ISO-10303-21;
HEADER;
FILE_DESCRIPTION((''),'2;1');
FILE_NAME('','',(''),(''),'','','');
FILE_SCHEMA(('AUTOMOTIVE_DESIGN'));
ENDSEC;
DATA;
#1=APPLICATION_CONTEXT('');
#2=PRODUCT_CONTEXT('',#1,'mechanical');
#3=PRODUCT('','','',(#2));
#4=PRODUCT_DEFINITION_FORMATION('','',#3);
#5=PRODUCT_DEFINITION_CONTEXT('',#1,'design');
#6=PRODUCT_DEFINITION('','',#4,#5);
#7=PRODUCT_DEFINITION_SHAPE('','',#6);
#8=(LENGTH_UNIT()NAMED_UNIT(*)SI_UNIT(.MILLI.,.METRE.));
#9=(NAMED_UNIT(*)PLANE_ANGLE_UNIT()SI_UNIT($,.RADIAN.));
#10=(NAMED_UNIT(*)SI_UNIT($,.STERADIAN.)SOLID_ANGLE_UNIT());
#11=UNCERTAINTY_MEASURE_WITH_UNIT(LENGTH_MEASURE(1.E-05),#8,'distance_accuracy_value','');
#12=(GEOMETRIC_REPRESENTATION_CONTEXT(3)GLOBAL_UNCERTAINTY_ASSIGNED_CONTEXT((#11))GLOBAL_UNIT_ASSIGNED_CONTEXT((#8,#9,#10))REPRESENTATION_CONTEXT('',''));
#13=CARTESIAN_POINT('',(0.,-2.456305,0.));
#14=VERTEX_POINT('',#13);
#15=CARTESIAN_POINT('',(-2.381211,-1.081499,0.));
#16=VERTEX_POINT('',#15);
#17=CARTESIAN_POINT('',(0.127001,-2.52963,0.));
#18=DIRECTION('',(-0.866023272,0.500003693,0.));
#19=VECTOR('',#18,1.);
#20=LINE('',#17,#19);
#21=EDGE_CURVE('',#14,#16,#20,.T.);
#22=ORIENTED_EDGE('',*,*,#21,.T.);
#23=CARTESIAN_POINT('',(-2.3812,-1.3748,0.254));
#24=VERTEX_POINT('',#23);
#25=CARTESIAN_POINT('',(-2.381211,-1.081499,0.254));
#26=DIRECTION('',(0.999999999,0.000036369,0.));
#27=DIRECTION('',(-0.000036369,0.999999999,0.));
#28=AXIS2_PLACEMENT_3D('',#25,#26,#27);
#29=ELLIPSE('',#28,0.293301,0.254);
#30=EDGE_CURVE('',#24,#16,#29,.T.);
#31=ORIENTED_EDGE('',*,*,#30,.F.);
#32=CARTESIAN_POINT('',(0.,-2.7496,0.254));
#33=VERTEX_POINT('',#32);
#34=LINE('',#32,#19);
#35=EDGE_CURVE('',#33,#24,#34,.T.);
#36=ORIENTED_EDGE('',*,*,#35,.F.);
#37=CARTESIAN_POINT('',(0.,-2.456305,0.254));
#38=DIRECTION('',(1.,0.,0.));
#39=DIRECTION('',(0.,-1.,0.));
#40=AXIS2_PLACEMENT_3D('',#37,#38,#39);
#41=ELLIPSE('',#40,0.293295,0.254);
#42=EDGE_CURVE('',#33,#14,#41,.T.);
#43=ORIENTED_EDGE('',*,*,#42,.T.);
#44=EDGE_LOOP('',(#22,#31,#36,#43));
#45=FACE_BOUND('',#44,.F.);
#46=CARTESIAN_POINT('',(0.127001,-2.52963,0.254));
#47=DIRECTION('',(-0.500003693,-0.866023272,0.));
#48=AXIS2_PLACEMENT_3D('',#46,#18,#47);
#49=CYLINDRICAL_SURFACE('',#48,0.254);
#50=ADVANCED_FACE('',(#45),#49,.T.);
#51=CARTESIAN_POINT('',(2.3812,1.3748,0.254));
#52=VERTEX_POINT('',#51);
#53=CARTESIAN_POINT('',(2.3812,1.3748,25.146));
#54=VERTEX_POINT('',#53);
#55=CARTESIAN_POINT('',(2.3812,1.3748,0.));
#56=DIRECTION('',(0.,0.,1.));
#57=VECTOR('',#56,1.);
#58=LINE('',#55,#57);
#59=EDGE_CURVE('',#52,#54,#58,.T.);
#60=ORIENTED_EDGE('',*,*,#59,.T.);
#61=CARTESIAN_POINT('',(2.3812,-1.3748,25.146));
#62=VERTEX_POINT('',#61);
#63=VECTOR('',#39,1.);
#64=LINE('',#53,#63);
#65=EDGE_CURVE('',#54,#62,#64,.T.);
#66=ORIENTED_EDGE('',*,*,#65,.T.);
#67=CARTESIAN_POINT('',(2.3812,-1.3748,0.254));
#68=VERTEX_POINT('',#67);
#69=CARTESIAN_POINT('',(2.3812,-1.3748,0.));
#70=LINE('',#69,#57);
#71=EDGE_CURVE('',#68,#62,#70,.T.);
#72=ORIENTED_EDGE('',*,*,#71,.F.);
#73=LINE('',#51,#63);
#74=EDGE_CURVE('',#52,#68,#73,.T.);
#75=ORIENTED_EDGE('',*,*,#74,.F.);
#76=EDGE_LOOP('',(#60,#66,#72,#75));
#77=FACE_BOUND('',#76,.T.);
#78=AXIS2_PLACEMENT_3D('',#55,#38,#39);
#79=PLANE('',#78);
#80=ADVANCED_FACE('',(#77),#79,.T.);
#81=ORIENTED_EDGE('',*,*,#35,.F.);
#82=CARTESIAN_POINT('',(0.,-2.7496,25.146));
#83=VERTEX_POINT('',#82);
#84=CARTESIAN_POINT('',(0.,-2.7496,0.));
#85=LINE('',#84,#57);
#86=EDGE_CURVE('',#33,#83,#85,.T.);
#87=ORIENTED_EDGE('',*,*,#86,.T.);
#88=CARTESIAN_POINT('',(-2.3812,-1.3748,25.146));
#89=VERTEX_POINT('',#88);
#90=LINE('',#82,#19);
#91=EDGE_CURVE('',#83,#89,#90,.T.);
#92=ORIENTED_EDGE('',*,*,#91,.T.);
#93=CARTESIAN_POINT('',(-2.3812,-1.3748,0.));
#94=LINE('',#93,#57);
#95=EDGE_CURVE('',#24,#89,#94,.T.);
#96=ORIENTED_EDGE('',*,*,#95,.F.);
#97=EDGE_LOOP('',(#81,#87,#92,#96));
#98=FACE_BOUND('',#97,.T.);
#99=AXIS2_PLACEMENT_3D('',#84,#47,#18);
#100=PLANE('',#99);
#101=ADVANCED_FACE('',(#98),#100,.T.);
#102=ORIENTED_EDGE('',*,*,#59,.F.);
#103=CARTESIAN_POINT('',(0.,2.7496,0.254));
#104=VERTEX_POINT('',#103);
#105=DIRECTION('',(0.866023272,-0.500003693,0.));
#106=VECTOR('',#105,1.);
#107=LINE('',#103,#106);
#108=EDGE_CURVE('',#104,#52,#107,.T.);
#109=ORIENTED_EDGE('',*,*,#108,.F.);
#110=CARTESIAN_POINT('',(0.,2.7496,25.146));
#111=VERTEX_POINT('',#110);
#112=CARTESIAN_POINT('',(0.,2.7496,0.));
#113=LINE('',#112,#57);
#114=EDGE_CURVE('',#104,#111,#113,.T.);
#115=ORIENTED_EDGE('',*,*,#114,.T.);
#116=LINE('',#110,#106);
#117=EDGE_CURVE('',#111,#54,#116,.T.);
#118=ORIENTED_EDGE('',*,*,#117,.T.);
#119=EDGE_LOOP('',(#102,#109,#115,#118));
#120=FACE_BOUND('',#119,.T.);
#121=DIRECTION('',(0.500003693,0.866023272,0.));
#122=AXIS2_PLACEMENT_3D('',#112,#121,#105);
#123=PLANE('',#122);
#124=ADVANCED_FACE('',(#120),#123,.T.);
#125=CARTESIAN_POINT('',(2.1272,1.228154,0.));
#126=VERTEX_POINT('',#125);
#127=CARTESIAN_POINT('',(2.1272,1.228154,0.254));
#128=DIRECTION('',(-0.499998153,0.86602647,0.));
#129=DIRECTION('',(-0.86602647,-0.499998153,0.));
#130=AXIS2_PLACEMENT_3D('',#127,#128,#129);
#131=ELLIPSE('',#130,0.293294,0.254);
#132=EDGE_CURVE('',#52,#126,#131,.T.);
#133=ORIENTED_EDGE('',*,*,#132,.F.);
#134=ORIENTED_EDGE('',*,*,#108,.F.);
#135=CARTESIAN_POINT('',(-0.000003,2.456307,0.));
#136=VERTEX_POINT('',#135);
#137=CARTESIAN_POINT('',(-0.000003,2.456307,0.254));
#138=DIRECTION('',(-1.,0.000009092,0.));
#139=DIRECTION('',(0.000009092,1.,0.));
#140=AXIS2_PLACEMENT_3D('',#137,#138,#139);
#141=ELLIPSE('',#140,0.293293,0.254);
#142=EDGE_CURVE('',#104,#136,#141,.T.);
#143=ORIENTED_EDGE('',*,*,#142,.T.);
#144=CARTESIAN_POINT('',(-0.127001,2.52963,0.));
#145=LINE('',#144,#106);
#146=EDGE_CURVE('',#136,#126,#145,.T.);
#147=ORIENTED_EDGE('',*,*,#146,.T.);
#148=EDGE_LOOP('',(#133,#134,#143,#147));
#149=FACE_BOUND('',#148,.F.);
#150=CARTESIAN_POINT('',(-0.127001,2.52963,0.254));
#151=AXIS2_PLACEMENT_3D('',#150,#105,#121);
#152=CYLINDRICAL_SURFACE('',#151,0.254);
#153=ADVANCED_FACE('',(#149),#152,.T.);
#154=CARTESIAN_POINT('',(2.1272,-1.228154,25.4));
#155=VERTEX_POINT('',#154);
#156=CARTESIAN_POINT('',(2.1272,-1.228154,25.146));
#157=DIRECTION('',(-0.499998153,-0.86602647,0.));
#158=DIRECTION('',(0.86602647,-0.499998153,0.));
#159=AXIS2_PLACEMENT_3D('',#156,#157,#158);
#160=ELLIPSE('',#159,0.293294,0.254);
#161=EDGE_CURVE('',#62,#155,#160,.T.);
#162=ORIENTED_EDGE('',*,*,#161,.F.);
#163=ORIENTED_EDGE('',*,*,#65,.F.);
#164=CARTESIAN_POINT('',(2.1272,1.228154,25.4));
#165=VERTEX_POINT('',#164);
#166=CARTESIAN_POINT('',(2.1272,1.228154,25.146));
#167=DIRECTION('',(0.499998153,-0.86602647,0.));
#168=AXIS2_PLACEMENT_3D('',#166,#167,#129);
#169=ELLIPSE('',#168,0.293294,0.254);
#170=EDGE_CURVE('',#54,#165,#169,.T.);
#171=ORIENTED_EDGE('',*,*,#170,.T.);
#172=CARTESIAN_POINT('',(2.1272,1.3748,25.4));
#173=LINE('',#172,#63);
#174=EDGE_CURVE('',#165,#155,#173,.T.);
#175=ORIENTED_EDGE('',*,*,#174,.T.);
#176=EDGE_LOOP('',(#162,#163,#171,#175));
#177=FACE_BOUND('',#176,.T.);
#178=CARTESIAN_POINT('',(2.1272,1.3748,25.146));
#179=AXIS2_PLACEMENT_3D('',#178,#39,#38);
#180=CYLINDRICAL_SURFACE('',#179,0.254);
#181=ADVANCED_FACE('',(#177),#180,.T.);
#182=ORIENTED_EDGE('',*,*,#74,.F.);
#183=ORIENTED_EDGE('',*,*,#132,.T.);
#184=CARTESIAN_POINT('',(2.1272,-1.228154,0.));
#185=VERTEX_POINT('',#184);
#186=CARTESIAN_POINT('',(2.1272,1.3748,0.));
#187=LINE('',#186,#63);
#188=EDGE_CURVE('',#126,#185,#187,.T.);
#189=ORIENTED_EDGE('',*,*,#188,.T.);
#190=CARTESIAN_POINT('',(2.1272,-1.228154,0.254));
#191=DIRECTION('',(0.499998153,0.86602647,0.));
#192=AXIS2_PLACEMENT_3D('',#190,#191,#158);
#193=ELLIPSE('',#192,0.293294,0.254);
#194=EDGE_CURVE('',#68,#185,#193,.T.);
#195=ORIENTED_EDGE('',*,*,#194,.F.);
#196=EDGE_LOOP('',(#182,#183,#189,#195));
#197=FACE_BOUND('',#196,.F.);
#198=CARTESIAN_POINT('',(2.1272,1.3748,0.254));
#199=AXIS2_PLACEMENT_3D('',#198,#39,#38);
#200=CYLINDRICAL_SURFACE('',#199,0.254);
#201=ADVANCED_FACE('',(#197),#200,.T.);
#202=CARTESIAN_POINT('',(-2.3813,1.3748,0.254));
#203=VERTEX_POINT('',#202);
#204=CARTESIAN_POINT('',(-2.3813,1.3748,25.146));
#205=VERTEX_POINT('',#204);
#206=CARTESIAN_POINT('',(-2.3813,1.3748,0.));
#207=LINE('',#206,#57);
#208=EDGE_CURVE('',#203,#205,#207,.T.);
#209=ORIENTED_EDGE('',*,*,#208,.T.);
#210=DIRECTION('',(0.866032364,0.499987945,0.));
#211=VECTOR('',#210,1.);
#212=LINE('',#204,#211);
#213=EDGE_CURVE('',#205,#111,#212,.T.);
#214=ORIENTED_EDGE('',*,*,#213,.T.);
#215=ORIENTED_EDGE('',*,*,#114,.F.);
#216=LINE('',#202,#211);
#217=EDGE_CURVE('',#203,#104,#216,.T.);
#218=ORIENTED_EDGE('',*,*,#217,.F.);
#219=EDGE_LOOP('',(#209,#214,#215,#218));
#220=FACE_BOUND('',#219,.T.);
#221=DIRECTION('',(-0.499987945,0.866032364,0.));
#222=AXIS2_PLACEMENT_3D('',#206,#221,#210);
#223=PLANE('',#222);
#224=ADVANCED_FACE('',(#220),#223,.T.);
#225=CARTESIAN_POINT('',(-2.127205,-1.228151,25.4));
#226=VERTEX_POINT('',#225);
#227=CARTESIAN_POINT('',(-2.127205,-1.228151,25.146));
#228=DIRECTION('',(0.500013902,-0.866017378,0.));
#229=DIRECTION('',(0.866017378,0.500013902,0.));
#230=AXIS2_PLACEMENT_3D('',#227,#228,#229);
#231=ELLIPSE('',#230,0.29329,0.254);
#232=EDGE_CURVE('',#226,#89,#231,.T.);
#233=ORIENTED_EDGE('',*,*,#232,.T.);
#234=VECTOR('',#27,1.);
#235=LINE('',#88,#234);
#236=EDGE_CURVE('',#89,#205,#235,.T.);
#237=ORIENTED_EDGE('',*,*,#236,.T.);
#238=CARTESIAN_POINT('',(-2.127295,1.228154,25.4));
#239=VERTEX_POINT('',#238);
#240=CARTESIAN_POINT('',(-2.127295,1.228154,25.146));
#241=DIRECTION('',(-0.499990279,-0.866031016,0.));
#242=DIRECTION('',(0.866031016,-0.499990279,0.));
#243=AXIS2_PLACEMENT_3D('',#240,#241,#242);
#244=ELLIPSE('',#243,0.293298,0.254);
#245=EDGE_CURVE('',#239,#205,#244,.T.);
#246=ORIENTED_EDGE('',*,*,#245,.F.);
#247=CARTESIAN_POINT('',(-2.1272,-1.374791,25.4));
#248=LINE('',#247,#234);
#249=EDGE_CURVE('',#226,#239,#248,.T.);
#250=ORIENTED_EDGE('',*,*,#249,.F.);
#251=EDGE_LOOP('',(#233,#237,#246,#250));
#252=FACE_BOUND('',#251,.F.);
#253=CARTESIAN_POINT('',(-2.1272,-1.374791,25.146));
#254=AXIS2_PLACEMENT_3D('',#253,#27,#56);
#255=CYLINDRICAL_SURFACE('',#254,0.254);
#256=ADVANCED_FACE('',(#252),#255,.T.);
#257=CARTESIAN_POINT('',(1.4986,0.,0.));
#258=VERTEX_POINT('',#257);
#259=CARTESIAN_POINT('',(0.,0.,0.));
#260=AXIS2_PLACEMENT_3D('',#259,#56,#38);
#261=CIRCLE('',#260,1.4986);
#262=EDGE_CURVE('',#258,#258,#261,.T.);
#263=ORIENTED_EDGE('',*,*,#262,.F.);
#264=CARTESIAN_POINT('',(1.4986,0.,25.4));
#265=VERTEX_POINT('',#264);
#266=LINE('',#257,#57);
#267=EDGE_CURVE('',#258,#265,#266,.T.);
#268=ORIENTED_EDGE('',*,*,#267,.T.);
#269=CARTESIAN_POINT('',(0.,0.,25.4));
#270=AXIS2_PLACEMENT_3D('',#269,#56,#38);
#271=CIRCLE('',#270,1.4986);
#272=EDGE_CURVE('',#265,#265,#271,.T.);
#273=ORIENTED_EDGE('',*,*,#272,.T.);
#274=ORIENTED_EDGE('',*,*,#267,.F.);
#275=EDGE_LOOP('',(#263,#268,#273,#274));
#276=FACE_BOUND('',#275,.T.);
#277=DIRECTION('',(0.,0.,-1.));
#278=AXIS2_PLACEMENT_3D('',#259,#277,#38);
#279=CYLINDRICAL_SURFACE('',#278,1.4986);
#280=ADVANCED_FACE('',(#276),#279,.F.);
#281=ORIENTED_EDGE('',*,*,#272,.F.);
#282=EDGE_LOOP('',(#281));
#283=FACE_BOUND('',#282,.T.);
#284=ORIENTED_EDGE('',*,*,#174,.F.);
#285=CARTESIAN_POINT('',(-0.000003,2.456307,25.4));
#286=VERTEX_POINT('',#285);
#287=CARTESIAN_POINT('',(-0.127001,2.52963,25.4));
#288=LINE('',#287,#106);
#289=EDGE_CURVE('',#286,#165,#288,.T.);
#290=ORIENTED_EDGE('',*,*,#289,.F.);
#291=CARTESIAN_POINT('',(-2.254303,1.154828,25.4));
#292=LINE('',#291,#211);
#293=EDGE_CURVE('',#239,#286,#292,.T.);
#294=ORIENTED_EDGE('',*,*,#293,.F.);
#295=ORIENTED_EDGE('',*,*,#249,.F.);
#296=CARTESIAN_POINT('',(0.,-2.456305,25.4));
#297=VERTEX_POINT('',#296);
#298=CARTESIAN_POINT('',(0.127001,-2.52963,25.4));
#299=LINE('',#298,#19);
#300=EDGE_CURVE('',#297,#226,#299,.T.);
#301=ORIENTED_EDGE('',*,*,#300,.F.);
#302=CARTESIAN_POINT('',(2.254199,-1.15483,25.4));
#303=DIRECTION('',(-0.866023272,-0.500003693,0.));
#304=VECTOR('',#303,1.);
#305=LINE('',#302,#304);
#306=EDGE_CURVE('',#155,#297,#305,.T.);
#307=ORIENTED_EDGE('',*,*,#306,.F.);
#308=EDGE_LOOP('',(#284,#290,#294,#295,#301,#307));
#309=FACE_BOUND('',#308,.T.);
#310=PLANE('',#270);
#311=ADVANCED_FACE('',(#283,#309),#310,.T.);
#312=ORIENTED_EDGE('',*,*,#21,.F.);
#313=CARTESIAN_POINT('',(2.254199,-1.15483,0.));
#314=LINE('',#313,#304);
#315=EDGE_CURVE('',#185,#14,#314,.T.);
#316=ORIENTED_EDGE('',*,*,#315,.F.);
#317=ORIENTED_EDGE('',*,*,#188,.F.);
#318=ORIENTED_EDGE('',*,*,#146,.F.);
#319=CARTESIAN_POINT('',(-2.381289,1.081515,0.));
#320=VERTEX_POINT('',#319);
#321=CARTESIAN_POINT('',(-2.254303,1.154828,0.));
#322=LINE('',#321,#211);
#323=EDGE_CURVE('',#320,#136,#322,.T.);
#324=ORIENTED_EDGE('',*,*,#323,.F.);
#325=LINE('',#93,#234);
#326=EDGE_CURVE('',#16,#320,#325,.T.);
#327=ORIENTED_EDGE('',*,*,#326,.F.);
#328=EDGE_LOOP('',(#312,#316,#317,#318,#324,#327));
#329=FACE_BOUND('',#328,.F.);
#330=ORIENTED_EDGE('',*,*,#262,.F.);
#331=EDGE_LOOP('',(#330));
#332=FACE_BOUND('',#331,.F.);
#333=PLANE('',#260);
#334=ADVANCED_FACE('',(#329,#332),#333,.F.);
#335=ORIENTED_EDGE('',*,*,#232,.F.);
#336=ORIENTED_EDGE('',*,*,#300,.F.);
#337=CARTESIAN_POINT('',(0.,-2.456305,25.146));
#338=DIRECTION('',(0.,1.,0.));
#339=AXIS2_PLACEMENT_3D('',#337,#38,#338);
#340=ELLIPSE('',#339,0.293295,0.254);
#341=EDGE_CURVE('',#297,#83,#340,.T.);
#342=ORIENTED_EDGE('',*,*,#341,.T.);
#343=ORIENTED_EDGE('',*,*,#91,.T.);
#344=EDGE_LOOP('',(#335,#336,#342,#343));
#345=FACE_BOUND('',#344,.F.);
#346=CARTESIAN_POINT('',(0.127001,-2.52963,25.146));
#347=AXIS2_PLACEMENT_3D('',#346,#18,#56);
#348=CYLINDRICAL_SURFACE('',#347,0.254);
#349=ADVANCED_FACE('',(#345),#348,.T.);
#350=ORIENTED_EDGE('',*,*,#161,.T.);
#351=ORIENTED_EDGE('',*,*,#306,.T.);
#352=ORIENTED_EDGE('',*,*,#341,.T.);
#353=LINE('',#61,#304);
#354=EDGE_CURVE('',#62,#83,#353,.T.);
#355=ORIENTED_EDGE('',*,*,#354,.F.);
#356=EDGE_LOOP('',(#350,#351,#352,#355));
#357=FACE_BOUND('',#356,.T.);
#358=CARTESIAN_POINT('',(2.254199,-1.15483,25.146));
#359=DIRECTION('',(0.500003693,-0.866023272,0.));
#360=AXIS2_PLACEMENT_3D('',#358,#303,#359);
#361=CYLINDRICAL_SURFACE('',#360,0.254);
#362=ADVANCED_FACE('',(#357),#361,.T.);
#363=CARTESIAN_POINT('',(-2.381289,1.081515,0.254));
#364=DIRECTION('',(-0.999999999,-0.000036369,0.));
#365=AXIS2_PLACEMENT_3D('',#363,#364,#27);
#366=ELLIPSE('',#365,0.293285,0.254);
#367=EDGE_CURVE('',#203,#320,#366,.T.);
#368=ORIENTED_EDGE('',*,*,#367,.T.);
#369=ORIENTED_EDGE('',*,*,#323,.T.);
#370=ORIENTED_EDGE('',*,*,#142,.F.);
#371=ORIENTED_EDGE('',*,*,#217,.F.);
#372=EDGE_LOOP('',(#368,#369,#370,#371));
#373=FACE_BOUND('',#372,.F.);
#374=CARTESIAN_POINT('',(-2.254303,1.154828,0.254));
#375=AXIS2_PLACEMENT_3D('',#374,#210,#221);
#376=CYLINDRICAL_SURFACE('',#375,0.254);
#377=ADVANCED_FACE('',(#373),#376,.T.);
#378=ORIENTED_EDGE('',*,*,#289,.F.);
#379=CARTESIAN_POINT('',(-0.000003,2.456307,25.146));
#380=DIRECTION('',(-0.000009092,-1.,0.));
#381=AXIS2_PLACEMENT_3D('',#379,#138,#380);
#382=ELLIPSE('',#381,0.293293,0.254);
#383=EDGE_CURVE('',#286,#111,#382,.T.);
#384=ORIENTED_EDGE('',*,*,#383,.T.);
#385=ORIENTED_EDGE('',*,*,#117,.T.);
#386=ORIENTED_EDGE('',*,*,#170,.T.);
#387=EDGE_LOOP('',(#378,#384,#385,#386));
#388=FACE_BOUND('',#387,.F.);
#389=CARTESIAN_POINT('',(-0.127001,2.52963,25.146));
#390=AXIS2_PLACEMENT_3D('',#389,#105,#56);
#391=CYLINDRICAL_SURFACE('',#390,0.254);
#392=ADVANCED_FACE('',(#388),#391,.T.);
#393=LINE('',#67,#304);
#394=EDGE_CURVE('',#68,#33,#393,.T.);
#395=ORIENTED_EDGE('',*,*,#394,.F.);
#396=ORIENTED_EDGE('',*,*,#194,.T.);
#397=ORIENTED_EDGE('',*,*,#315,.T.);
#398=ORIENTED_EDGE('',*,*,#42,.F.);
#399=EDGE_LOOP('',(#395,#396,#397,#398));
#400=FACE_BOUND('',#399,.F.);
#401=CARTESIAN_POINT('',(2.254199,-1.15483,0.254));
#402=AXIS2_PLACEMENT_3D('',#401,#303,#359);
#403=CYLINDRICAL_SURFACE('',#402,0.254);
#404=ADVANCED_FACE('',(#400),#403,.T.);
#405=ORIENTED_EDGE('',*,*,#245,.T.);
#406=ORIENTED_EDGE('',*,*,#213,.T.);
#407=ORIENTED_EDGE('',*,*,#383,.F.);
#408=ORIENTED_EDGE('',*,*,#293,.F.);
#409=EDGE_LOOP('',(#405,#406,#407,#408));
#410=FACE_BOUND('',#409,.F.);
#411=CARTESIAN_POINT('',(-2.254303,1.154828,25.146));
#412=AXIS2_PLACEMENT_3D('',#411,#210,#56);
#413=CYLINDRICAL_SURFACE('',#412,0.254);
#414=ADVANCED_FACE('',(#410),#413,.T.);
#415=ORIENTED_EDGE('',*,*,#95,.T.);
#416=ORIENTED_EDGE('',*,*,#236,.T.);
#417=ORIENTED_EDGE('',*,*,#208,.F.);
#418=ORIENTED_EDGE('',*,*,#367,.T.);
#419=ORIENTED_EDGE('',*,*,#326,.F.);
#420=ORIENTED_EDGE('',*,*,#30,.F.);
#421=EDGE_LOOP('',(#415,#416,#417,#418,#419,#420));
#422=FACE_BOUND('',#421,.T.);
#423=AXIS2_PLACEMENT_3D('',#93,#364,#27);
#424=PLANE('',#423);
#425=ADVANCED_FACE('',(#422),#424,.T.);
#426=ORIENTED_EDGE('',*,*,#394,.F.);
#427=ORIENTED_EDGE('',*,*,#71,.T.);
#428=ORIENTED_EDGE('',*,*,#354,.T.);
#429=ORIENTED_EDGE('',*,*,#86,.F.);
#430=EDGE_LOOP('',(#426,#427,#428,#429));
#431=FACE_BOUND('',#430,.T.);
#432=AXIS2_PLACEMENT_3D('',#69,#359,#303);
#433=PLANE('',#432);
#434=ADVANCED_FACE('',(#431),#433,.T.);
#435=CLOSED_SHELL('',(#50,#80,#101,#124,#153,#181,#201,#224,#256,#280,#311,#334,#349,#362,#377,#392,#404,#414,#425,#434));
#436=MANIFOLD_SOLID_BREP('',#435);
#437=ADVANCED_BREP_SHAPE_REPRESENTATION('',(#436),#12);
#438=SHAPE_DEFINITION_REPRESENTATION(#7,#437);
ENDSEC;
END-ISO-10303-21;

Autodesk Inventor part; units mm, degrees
ref_plane "YZ Plane" through (0, 0, 0) normal (1, 0, 0) x (0, 1, 0)
ref_plane "XZ Plane" through (0, 0, 0) normal (0, 1, 0) x (-1, 0, 0)
ref_plane "XY Plane" through (0, 0, 0) normal (0, 0, 1) x (1, 0, 0)
sketch "Sketch1" plane through (0, 0, 0) normal (0, 0, 1) x (1, 0, 0)
  line L0 (2.3812, -1.3748) -> (0, -2.7496)
  line L1 (0, -2.7496) -> (-2.3812, -1.3748)
  line L2 (-2.3812, -1.3748) -> (-2.3813, 1.3748)
  line L3 (-2.3813, 1.3748) -> (0, 2.7496)
  line L4 (0, 2.7496) -> (2.3812, 1.3748)
  line L5 (2.3812, 1.3748) -> (2.3812, -1.3748)
  circle A0 centre (0, 0) radius 1.4986
  point P0 (2.3812, 0)
  dimension "d1" = 2.9972
extrude "Extrusion1" add sketch "Sketch1" along normal blind 25.4
fillet "Fillet1" radius 0.254 5 edges at (2.3812, 0, 0) (1.1906, -2.0622, 0) (-1.1906, -2.0622, 0) (-1.1906, 2.0622, 0) (1.1906, 2.0622, 0)
fillet "Fillet2" radius 0.254 6 edges at (2.3812, 0, 25.4) (1.1906, 2.0622, 25.4) (-1.1906, 2.0622, 25.4) (-2.3812, 0, 25.4) (-1.1906, -2.0622, 25.4) (1.1906, -2.0622, 25.4)
thread "Thread1" size "5-40 UNC" class "2B" standard "ANSI Unified Screw Threads" full length
properties part number "Stand-Off Posts 1inch"
